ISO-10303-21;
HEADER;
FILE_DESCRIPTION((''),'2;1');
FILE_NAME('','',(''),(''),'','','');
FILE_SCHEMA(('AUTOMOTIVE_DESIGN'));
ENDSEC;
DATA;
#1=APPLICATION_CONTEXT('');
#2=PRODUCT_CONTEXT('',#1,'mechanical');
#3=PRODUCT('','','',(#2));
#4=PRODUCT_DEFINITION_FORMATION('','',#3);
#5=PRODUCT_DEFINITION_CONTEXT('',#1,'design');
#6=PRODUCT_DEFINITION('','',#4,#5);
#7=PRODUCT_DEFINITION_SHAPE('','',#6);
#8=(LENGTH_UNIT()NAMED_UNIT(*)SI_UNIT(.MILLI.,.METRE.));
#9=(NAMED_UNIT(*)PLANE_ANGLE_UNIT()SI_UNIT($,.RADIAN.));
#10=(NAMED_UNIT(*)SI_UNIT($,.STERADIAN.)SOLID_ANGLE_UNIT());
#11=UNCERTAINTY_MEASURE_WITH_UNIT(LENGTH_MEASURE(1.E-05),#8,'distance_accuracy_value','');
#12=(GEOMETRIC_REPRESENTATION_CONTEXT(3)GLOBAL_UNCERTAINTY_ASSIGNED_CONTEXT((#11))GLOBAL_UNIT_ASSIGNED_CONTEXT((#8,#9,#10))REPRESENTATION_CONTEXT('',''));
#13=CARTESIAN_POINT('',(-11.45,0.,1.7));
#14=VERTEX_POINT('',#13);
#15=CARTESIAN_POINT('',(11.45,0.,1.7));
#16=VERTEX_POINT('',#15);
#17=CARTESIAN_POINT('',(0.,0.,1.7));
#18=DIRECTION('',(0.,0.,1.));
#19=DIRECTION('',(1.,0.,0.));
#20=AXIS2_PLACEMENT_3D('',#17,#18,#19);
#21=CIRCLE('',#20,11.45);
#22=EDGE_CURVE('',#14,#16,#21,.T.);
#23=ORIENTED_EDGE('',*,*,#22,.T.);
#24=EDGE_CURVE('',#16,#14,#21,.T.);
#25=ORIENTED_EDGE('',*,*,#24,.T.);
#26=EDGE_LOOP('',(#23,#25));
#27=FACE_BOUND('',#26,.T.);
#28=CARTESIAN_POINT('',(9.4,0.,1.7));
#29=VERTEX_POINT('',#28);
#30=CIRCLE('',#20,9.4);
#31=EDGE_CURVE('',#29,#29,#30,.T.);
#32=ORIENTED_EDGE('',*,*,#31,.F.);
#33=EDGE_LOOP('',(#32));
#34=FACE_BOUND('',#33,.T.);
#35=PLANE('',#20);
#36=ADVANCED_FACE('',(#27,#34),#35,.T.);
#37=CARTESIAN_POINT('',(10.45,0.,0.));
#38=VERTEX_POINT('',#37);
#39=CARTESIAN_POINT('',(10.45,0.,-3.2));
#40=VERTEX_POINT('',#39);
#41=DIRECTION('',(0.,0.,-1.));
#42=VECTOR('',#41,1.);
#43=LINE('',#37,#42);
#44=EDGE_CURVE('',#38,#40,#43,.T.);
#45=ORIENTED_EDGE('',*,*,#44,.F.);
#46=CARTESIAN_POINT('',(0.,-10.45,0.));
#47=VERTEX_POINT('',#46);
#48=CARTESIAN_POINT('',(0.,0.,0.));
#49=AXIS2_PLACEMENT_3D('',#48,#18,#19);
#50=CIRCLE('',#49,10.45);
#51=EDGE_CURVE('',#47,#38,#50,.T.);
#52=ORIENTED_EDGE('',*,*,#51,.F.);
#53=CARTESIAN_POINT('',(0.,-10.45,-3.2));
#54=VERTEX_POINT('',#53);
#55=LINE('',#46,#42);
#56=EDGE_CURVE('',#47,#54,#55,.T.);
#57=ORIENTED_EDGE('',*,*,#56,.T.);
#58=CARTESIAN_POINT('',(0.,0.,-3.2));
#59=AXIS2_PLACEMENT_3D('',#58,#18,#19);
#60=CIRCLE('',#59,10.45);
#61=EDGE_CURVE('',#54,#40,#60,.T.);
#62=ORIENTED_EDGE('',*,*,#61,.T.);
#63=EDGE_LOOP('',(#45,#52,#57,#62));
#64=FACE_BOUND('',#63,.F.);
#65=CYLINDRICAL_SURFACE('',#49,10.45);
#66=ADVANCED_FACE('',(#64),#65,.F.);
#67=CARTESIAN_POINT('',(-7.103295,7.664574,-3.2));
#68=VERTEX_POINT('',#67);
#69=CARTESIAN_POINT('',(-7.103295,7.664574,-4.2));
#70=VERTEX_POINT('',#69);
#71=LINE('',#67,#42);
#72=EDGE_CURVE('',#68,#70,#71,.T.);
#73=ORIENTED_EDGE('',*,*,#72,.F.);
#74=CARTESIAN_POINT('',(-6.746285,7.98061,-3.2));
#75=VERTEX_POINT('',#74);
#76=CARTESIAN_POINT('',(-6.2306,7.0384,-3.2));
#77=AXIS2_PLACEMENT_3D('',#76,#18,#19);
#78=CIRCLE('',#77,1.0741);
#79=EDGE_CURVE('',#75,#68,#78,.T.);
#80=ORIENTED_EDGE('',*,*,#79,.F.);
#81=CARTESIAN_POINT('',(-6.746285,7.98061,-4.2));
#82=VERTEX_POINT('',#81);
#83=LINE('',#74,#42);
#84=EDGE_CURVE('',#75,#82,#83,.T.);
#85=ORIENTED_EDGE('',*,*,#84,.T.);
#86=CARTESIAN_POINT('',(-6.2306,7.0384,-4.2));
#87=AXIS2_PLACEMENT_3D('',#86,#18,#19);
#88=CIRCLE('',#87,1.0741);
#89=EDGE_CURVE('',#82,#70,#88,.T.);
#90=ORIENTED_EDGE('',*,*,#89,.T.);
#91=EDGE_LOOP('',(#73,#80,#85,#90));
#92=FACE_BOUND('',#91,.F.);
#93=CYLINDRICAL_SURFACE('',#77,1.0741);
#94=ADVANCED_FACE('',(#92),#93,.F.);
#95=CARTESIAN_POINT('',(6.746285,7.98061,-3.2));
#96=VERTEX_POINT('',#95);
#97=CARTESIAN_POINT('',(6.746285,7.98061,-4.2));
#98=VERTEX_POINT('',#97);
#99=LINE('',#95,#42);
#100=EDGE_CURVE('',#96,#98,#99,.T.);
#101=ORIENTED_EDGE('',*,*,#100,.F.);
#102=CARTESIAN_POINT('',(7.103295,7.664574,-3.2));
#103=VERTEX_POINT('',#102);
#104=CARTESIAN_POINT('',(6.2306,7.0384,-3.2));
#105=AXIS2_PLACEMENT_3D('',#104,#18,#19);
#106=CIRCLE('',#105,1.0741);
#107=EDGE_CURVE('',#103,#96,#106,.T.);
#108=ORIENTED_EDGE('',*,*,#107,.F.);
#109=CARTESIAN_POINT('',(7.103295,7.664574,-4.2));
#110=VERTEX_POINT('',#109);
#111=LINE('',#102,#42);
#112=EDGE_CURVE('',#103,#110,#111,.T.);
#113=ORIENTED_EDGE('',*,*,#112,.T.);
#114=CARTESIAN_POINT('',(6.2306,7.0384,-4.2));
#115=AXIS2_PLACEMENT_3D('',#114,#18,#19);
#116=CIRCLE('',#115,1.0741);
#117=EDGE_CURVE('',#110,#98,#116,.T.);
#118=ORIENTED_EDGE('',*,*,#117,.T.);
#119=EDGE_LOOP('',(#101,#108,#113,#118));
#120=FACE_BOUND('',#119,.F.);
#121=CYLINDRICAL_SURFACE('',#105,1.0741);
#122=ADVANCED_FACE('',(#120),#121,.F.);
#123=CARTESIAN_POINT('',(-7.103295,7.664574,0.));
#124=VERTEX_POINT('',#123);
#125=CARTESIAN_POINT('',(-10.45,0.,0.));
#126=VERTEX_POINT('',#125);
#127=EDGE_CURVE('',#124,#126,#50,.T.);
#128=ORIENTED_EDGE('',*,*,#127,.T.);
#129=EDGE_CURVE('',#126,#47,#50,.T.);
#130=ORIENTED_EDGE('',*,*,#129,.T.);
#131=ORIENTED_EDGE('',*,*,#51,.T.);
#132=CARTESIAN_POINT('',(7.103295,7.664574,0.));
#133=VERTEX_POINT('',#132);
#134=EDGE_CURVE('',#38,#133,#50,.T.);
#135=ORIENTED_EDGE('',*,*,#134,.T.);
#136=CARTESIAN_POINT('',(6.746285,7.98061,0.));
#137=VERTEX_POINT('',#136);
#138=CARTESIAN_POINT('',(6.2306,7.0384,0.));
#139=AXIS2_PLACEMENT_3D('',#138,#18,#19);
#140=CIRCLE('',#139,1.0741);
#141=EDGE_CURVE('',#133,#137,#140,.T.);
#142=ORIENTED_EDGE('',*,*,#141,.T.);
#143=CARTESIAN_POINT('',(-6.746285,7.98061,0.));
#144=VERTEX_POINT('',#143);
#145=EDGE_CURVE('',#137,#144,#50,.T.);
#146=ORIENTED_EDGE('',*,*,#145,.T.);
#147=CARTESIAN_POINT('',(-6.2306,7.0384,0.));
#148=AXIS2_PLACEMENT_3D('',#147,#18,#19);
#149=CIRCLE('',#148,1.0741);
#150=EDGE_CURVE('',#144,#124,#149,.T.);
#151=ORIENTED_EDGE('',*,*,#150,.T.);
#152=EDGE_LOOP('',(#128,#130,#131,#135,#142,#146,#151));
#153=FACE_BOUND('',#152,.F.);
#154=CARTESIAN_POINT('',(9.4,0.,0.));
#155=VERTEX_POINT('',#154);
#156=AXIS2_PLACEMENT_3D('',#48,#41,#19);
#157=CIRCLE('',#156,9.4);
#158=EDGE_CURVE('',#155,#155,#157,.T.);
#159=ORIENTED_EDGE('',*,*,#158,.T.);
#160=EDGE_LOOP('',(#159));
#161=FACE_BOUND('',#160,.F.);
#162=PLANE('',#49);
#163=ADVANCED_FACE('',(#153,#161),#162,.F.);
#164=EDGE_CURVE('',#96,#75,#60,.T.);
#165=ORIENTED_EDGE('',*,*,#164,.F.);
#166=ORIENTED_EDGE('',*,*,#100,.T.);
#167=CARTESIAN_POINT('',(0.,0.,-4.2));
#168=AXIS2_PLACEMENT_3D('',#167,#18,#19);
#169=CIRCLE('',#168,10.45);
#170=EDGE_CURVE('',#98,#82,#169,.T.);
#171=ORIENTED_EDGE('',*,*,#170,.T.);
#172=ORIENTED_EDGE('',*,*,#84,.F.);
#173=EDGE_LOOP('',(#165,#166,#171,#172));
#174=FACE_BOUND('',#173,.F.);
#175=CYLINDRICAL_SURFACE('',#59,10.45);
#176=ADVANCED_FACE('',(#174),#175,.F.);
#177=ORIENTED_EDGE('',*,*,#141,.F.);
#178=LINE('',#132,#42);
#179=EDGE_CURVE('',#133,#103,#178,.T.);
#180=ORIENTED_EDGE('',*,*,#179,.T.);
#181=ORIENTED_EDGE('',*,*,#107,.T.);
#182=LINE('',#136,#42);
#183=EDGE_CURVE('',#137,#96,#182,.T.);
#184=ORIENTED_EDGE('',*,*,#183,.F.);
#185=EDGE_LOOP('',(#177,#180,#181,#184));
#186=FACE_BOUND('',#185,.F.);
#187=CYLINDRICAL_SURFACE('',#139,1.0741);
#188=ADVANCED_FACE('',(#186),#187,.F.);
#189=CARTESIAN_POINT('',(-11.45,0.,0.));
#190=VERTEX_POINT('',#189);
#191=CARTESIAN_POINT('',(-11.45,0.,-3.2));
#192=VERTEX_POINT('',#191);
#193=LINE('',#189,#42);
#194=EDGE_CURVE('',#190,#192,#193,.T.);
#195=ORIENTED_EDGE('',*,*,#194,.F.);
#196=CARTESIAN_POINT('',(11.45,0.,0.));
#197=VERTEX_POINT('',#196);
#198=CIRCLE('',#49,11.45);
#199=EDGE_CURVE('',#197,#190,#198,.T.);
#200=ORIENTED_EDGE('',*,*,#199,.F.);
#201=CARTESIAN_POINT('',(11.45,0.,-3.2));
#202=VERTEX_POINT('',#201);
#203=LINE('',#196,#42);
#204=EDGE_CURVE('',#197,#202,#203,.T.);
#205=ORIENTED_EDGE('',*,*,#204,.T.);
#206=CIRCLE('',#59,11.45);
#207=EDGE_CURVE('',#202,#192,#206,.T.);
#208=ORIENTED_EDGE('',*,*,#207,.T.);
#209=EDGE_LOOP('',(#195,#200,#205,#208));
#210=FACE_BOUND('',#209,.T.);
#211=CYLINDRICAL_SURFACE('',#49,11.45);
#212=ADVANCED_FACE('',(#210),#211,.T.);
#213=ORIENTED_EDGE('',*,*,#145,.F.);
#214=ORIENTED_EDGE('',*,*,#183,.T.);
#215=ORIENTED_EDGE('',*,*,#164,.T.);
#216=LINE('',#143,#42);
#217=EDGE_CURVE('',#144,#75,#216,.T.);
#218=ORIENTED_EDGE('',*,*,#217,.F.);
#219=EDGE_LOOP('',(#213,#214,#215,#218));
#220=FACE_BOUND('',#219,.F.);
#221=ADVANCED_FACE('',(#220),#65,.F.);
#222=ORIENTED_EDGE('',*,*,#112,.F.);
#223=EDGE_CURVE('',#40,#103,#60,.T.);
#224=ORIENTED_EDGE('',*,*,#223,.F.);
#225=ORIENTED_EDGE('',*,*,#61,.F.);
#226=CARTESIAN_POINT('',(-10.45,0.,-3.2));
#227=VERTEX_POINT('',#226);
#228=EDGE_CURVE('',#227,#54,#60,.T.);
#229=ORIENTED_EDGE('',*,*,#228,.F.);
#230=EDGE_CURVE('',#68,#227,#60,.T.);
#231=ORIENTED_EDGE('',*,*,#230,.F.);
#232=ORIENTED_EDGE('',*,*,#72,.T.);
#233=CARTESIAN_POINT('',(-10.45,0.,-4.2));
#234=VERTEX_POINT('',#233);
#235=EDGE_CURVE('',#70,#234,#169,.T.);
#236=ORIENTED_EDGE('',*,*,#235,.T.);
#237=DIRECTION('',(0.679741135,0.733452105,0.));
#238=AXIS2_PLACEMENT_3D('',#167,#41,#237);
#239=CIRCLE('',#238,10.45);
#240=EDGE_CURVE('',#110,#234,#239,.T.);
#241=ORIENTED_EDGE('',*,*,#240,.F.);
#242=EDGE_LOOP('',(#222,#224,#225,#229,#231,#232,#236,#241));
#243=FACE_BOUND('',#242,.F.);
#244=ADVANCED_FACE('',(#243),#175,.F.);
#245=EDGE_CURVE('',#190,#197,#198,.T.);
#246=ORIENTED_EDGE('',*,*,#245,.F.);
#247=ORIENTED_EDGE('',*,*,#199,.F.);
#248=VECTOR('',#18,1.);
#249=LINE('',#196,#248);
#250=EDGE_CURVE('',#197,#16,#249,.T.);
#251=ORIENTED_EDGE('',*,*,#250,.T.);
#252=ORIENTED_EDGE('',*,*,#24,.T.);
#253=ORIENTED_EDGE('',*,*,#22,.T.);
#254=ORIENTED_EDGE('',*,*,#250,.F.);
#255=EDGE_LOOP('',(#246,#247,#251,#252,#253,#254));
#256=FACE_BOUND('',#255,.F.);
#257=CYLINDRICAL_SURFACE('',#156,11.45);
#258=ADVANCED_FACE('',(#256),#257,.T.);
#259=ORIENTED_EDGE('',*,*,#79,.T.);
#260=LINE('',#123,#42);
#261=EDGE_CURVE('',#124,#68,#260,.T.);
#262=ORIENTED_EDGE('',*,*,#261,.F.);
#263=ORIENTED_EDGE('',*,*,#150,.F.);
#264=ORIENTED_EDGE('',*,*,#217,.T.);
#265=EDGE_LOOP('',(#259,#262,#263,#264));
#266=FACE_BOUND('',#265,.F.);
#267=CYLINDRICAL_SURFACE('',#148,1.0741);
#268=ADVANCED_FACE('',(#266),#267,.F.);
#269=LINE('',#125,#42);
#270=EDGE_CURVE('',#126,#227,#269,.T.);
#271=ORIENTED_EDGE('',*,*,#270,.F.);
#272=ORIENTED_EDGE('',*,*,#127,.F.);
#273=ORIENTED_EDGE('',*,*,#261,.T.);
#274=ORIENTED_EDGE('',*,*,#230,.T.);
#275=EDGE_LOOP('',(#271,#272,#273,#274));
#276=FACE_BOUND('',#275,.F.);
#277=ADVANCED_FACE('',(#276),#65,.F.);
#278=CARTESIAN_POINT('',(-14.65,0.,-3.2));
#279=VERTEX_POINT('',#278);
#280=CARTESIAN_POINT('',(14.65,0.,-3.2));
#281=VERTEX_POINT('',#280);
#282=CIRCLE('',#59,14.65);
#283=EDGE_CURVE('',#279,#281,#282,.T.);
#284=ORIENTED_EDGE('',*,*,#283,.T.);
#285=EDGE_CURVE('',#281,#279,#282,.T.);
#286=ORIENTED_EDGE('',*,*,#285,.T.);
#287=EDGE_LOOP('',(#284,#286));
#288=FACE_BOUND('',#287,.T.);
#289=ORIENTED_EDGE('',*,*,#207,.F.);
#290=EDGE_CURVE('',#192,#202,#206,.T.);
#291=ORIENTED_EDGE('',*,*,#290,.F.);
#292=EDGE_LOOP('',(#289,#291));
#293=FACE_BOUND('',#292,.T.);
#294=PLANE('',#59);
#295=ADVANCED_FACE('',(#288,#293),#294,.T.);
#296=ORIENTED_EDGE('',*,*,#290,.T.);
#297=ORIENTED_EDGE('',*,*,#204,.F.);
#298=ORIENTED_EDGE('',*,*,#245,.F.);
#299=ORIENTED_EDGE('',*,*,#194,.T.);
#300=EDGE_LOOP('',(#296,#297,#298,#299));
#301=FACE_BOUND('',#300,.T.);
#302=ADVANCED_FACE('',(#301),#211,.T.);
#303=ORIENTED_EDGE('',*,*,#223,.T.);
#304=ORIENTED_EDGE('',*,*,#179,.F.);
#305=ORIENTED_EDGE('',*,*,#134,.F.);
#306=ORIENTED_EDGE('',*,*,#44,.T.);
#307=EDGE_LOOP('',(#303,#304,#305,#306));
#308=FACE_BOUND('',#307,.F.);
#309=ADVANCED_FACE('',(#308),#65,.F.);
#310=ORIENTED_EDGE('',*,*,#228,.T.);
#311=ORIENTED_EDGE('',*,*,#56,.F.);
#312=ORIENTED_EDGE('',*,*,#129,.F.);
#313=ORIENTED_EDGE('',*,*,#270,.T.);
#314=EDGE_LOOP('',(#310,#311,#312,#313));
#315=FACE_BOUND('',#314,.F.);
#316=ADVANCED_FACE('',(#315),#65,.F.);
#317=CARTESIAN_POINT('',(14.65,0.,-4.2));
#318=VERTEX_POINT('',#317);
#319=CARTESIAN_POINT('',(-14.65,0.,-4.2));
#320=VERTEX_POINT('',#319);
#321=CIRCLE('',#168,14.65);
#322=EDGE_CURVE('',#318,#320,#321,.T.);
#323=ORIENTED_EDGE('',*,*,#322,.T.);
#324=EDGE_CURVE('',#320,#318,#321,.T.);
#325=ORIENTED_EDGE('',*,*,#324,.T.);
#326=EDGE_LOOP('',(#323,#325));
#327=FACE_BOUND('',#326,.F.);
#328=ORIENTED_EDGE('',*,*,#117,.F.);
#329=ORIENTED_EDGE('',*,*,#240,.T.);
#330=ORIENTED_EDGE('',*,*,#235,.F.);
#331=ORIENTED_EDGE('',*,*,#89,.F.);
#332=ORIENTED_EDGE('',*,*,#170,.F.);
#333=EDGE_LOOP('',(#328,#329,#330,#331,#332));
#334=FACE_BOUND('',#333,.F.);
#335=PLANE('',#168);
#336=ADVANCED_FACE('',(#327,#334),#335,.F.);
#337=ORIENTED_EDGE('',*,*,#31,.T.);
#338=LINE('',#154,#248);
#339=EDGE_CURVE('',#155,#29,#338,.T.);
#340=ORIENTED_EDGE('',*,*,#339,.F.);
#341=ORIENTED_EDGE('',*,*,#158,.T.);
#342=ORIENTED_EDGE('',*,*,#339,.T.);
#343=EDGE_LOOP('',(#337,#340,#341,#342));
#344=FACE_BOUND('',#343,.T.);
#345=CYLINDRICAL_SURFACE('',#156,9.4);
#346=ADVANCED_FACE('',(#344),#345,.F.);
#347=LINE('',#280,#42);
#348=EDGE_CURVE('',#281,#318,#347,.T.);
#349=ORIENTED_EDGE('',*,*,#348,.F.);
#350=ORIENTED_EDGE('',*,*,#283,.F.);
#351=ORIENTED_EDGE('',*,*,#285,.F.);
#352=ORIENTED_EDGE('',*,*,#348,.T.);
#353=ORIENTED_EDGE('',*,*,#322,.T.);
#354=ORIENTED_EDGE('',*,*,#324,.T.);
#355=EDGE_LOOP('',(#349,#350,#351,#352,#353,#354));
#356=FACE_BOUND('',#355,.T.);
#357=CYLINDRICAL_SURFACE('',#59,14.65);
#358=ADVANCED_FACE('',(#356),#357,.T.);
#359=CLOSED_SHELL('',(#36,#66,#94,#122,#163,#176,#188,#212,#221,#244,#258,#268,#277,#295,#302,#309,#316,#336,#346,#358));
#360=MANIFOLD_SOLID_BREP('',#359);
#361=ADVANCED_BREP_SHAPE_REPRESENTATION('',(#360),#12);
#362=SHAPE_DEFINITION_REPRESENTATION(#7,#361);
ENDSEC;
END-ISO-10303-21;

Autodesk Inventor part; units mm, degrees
ref_plane "YZ Plane" through (0, 0, 0) normal (1, 0, 0) x (0, 1, 0)
ref_plane "XZ Plane" through (0, 0, 0) normal (0, 1, 0) x (-1, 0, 0)
ref_plane "XY Plane" through (0, 0, 0) normal (0, 0, 1) x (1, 0, 0)
sketch "Sketch1" plane through (0, 0, 0) normal (0, 0, 1) x (1, 0, 0)
  circle A0 centre (0, 0) radius 9.4
  circle A1 centre (0, 0) radius 10.45
  circle A2 centre (0, 0) radius 7
  line L0 (0, 0) -> (0, 1.4)
  line L1 (0, 1.4) -> (-5.6, 1.4)
  line L2 (-6, 1.8) -> (-6, 5.8)
  line L3 (-5.6, 6.2) -> (0, 6.2)
  arc A3 (-6, 1.8) -> (-5.6, 1.4) centre (-5.6, 1.8) ccw
  arc A4 (-5.6, 6.2) -> (-6, 5.8) centre (-5.6, 5.8) ccw
  line L4 (0, 1.4) -> (5.6, 1.4)
  line L5 (6, 1.8) -> (6, 5.8)
  line L6 (5.6, 6.2) -> (0, 6.2)
  arc A5 (5.6, 1.4) -> (6, 1.8) centre (5.6, 1.8) ccw
  arc A6 (6, 5.8) -> (5.6, 6.2) centre (5.6, 5.8) ccw
  circle A7 centre (0, -9.4) radius 1.05
  line L7 (5.8828, 6.0828) -> (6.2306, 7.0384)
  line L8 (5.8828, 6.0828) -> (6.8997, 6.0828) construction
  circle A8 centre (6.2306, 7.0384) radius 1.0741
  circle A9 centre (-6.2306, 7.0384) radius 1.0741
  line L9 (0, 6.2) -> (0, 1.4)
  line L10 (-4.5, 2.55) -> (4.5, 2.55)
  line L11 (4.5, 2.55) -> (4.5, 5.05)
  line L12 (4.5, 5.05) -> (-4.5, 5.05)
  line L13 (-4.5, 5.05) -> (-4.5, 2.55)
  line L14 (-4.5, 2.55) -> (4.5, 5.05) construction
  line L15 (4.5, 2.55) -> (-4.5, 5.05) construction
  line L16 (-10.45, 0) -> (-11.45, 0)
  circle A10 centre (0, 0) radius 11.45
  line L17 (-11.45, 0) -> (-14.65, 0)
  circle A11 centre (0, 0) radius 14.65
  point P0 (-6, 1.4)
  point P1 (-6, 6.2)
  point P2 (1.0484, -9.3414)
  point P3 (-1.0484, -9.3414)
  point P4 (7.1035, 7.6644)
  point P5 (6.7461, 7.9808)
  point P6 (5.387, 7.7033)
  point P7 (6.9929, 6.2816)
  point P8 (-7.1035, 7.6644)
  point P9 (-6.9929, 6.2816)
  point P10 (-5.387, 7.7033)
  point P11 (-6.7461, 7.9808)
  point P12 (0, 3.8)
  dimension "d1" = 20.9
  dimension "d0" = 18.8
  dimension "d8" = 14
  dimension "d18" = 1.4
  dimension "d19" = 6
  dimension "d20" = 4.8
  dimension "d21" = 0.4
  dimension "d22" = 70
  dimension "d25" = 9
  dimension "d26" = 2.5
  dimension "d31" = 1
  dimension "d32" = 3.2
extrude "Extrusion7" add sketch "Sketch1" along normal blind 1.7 contours A0 A8 A1 A7 | A0 A8 A1 | A7 A0 | A7 A1 A9 A0 | A0 A9 A1 A8 | A10 | A1 A8 | A9 A1 A0 | A9 A1 picked at (0, -9.7457)
extrude "Extrusion8" add sketch "Sketch1" against normal blind 3.2 from surface at 0 contours A10
extrude "Extrusion9" add sketch "Sketch1" against normal blind 1 from surface at -3.2 contours A10 | A11
properties part number "fingerprint sensor seal"
